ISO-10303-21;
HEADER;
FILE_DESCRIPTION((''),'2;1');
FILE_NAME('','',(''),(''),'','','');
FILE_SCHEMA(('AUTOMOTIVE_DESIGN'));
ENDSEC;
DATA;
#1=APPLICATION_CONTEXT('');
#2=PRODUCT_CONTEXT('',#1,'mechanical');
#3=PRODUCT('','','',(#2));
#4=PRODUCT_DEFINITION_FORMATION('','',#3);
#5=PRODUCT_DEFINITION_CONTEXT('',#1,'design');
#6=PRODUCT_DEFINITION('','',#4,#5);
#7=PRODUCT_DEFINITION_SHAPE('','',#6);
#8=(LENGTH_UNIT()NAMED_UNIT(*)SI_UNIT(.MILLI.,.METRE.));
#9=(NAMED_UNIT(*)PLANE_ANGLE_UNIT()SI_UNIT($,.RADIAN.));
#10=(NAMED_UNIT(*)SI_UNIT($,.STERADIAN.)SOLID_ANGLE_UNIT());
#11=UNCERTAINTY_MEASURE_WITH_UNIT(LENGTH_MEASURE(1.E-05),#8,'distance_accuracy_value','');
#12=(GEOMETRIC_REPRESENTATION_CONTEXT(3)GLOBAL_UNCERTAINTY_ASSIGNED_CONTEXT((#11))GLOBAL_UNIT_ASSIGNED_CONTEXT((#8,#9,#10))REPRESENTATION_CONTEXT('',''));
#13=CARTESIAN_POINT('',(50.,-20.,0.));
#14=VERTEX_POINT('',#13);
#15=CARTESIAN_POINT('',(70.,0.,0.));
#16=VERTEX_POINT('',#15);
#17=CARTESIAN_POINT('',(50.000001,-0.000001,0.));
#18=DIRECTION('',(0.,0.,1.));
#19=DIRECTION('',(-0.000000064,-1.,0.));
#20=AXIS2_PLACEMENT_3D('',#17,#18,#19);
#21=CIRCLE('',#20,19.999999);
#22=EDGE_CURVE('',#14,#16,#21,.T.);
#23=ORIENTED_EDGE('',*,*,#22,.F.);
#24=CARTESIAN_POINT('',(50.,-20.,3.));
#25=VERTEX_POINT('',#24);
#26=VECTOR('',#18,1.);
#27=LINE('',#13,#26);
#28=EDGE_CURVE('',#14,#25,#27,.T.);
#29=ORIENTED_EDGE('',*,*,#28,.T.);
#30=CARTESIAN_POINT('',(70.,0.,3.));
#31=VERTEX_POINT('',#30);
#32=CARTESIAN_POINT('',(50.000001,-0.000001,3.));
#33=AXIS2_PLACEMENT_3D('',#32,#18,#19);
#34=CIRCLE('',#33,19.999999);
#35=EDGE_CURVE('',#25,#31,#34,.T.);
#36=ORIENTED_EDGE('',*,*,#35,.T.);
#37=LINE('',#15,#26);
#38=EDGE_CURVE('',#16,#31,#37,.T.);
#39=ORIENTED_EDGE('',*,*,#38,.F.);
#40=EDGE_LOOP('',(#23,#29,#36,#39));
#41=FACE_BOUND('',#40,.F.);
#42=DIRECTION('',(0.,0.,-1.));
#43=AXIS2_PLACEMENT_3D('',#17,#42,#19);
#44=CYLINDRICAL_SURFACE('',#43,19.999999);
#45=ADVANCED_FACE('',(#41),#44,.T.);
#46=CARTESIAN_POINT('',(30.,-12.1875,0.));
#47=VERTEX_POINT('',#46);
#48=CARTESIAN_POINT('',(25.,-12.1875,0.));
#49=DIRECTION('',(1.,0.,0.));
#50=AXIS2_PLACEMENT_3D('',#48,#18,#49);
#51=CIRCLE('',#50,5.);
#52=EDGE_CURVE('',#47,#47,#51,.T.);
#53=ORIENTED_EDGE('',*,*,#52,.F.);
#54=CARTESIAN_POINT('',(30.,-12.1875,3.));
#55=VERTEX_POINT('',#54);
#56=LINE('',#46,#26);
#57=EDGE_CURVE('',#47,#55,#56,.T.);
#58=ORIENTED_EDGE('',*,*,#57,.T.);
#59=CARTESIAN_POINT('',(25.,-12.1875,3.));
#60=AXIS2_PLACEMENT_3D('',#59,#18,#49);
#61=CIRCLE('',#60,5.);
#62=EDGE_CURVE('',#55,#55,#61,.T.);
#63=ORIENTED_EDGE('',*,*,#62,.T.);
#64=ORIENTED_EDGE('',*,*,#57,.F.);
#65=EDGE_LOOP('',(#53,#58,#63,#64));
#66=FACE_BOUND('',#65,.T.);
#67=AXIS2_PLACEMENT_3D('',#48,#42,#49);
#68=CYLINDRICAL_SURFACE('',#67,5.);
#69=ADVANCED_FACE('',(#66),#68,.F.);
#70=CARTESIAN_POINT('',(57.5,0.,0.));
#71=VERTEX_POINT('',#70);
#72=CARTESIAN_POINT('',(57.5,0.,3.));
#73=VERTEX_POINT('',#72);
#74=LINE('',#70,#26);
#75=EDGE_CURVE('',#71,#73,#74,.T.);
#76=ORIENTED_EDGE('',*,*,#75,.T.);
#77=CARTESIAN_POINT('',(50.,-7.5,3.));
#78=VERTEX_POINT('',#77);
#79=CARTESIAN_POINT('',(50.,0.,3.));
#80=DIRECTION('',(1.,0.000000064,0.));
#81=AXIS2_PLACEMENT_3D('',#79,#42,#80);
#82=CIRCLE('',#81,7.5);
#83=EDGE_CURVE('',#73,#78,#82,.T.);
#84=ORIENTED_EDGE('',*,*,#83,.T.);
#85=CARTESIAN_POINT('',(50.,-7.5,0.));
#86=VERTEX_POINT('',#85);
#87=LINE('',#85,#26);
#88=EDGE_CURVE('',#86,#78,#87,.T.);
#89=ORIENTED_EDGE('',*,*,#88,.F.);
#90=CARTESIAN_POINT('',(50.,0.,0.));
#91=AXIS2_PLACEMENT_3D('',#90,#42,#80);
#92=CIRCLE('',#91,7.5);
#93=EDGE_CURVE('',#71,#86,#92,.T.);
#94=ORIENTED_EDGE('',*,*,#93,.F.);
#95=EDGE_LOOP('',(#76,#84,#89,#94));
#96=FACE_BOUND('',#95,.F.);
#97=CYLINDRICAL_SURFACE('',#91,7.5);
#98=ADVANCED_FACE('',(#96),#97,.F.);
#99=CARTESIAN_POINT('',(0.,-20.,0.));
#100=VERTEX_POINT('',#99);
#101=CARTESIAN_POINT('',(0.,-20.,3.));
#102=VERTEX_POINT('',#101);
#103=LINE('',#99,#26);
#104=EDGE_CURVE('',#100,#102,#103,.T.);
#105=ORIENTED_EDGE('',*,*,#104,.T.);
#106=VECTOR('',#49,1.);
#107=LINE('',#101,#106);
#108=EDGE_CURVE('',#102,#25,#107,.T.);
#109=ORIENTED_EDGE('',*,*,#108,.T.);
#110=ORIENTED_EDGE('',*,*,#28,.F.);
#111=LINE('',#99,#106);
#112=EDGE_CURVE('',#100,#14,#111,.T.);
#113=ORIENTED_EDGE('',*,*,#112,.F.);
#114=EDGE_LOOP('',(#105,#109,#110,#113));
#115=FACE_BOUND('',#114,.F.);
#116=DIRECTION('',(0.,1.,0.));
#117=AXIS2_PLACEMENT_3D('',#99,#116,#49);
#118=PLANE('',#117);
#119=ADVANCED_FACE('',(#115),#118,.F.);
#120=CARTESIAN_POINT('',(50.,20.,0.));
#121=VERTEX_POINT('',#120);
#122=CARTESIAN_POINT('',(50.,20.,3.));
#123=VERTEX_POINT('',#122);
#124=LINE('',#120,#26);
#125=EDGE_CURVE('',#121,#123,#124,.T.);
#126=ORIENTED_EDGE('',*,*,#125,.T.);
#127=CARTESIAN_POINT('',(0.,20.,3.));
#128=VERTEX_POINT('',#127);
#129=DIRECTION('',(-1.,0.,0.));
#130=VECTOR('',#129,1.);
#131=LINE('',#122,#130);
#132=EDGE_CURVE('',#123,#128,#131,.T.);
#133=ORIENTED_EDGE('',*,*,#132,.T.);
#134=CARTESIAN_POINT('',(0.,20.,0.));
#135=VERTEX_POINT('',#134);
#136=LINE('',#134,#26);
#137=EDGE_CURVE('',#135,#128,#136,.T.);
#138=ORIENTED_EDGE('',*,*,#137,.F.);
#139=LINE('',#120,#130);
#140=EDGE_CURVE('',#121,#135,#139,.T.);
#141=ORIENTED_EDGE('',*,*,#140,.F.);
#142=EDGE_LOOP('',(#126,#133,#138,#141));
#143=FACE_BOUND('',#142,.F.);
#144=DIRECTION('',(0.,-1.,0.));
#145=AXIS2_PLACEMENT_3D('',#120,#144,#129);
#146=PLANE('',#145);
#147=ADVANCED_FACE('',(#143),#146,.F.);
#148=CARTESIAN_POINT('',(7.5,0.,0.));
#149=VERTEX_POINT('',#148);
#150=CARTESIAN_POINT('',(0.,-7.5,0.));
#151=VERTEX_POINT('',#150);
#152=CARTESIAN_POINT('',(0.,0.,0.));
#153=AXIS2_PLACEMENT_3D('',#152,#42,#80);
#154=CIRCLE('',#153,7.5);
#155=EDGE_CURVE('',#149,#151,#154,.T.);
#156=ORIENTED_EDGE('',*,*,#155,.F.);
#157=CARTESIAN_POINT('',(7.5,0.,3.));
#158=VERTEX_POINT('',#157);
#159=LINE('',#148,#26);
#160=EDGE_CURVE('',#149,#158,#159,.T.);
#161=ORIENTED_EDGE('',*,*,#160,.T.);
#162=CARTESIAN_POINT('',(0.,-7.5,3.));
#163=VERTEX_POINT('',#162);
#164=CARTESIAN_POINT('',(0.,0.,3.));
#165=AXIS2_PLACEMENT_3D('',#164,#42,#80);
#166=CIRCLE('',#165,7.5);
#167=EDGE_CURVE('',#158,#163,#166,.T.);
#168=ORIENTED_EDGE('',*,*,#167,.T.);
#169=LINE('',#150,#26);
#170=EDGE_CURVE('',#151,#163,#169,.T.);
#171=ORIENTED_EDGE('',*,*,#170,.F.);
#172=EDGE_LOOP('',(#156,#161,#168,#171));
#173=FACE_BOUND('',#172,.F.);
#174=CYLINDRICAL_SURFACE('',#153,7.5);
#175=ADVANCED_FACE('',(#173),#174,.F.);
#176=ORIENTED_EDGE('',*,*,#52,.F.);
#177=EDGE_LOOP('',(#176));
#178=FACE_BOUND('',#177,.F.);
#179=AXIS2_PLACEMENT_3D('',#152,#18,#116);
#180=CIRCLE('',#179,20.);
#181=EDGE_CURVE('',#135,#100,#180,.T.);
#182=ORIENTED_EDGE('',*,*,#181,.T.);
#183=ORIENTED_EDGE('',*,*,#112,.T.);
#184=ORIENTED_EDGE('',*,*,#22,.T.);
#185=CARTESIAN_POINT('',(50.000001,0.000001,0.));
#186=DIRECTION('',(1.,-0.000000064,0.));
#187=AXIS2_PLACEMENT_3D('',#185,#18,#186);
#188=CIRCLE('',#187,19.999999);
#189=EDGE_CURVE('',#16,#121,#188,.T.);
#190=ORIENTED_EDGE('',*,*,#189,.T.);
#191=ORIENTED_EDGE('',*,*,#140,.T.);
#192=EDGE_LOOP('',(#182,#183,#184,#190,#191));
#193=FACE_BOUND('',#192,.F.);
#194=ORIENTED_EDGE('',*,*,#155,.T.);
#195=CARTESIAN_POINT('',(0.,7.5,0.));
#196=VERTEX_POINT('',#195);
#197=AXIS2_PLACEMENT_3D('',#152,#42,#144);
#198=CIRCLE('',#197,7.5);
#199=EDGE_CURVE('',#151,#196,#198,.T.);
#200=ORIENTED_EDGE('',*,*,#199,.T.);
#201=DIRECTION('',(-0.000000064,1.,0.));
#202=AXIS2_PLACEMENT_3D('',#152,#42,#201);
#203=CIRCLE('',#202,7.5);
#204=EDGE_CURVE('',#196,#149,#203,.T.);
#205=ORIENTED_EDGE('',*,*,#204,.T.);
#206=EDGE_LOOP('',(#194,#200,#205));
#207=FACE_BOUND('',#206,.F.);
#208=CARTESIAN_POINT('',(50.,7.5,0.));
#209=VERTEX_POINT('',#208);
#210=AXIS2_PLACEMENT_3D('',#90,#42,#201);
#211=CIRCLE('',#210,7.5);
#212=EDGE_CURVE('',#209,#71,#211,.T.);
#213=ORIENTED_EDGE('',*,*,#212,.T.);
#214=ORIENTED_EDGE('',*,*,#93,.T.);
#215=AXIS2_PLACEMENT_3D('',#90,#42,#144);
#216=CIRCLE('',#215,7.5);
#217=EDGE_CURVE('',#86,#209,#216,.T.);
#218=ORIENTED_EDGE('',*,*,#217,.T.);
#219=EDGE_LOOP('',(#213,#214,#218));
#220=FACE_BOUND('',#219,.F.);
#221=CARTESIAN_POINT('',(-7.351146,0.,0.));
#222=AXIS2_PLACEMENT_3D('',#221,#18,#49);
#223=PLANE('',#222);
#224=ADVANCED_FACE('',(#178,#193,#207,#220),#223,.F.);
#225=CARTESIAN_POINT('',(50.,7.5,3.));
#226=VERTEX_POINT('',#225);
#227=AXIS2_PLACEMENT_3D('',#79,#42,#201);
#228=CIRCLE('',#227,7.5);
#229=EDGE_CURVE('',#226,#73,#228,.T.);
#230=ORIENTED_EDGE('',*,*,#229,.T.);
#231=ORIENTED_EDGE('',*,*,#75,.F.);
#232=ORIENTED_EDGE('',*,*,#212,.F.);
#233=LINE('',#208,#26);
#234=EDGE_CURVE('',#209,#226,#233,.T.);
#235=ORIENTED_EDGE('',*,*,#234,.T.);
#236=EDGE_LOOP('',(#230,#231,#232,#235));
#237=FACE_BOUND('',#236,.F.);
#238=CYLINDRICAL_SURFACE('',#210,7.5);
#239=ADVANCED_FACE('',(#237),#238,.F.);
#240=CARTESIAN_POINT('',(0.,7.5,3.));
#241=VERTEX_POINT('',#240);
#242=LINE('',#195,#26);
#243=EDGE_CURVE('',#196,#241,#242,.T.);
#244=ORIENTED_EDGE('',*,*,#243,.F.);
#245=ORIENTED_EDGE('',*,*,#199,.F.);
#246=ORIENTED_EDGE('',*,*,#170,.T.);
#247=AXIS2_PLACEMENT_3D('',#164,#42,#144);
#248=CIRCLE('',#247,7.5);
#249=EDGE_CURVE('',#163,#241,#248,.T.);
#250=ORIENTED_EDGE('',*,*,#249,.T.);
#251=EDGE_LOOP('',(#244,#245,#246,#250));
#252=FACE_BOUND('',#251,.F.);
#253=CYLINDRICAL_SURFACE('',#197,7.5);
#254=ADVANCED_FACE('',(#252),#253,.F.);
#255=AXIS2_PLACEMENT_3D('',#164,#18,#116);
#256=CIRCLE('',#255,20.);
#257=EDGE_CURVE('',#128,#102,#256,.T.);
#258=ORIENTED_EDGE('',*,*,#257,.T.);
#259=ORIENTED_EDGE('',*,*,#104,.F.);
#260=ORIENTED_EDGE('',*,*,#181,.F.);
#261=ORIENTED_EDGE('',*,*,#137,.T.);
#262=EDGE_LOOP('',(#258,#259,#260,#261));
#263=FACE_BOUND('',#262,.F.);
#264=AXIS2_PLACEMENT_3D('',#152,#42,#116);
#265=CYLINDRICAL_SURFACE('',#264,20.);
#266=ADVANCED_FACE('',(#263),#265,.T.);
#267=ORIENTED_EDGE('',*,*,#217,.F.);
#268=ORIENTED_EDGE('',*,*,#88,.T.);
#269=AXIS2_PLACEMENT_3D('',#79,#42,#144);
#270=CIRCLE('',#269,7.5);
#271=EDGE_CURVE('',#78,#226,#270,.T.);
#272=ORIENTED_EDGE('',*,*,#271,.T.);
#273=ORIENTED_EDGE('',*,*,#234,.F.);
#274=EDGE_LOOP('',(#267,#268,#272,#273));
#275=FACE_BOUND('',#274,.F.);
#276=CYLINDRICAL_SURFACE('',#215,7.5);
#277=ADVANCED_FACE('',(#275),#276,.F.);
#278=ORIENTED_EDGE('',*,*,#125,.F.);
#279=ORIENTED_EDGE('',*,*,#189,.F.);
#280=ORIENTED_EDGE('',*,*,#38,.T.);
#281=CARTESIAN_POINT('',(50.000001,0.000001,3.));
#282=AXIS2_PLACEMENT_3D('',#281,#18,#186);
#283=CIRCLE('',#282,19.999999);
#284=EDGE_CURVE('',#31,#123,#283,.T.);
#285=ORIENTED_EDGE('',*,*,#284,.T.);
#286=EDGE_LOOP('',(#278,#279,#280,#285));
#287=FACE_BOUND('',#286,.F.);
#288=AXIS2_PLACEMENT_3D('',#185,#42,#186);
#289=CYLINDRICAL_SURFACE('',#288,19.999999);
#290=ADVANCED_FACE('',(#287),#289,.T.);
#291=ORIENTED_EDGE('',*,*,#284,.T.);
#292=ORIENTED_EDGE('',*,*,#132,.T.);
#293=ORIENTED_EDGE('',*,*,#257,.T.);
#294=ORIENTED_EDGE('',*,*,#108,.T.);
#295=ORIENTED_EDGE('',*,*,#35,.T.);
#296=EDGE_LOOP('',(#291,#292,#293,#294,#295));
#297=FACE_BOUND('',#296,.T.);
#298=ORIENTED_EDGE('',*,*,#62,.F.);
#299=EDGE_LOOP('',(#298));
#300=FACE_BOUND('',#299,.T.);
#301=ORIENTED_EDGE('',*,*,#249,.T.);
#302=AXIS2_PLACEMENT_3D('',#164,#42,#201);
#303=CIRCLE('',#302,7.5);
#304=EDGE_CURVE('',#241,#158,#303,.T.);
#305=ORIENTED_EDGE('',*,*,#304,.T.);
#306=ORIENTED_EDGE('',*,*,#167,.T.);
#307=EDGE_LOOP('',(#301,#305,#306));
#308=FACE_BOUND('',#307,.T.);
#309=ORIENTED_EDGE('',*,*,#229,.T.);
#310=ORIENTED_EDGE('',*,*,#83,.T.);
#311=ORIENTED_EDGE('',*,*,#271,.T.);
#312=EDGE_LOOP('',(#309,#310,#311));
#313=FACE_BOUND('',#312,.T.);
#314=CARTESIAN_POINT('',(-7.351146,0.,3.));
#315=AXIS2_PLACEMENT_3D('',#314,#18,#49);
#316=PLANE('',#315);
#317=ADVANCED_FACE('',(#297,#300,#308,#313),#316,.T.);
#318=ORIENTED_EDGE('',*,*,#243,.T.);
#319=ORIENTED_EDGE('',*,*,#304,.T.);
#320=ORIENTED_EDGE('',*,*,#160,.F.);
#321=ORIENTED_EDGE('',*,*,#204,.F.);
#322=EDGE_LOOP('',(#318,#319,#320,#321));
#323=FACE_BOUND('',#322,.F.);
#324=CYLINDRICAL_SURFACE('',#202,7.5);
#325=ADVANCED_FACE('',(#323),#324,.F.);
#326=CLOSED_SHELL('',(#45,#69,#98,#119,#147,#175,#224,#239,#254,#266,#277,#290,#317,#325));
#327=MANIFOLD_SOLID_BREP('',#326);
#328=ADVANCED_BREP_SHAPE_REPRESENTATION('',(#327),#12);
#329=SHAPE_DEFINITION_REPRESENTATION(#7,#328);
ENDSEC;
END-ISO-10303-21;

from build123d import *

# Parameters (mm, degrees)
F0_R     = 5
F1_DEPTH = 3


with BuildPart() as f1:
    # F0 (on Top) → F1 (new body)
    with BuildSketch(Plane.XY):
        with BuildLine():
            Line((0, 7.5), (0, 20))
            ThreePointArc((0, 20), (-20, 0), (0, -20))
            Line((0, -20), (0, -7.5))
            ThreePointArc((0, -7.5), (-7.5, 0), (0, 7.5))
        make_face()
        with BuildLine():
            ThreePointArc((17.977528, -8.764045), (19.487824, -4.49719), (20, 0))
            ThreePointArc((20, 0), (14.142136, 14.142136), (0, 20))
            Line((0, 20), (0, 7.5))
            ThreePointArc((0, 7.5), (5.303301, 5.303301), (7.5, 0))
            ThreePointArc((7.5, 0), (5.303301, -5.303301), (0, -7.5))
            Line((0, -7.5), (0, -20))
            ThreePointArc((0, -20), (10.599979, -16.959966), (17.977528, -8.764045))
        make_face()
        with BuildLine():
            ThreePointArc((0, 20), (14.142136, 14.142136), (20, 0))
            ThreePointArc((20, 0), (19.487824, -4.49719), (17.977528, -8.764045))
            ThreePointArc((17.977528, -8.764045), (25, -4.375), (32.022472, -8.764045))
            ThreePointArc((32.022472, -8.764045), (33.040034, 10.599979), (50, 20))
            Line((50, 20), (0, 20))
        make_face()
        with BuildLine():
            ThreePointArc((50, -20), (39.400021, -16.959966), (32.022472, -8.764045))
            ThreePointArc((32.022472, -8.764045), (32.612431, -10.430785), (32.8125, -12.1875))
            ThreePointArc((32.8125, -12.1875), (30.524272, -17.711772), (25, -20))
            Line((25, -20), (50, -20))
        make_face()
        with BuildLine():
            ThreePointArc((32.022472, -8.764045), (25, -4.375), (17.977528, -8.764045))
            ThreePointArc((17.977528, -8.764045), (18.375013, -16.328117), (25, -20))
            ThreePointArc((25, -20), (30.524272, -17.711772), (32.8125, -12.1875))
            ThreePointArc((32.8125, -12.1875), (32.612431, -10.430785), (32.022472, -8.764045))
        make_face()
        with Locations((25, -12.1875)):
            Circle(F0_R, mode=Mode.SUBTRACT)
        with BuildLine():
            ThreePointArc((25, -20), (18.375013, -16.328117), (17.977528, -8.764045))
            ThreePointArc((17.977528, -8.764045), (10.599979, -16.959966), (0, -20))
            Line((0, -20), (25, -20))
        make_face()
        with BuildLine():
            ThreePointArc((70, 0), (64.142136, 14.142136), (50, 20))
            Line((50, 20), (50, 7.5))
            ThreePointArc((50, 7.5), (55.303301, 5.303301), (57.5, 0))
            ThreePointArc((57.5, 0), (55.303301, -5.303301), (50, -7.5))
            Line((50, -7.5), (50, -20))
            ThreePointArc((50, -20), (64.142136, -14.142136), (70, 0))
        make_face()
        with BuildLine():
            Line((50, 7.5), (50, 20))
            ThreePointArc((50, 20), (33.040034, 10.599979), (32.022472, -8.764045))
            ThreePointArc((32.022472, -8.764045), (39.400021, -16.959966), (50, -20))
            Line((50, -20), (50, -7.5))
            ThreePointArc((50, -7.5), (42.5, 0), (50, 7.5))
        make_face()
    extrude(amount=F1_DEPTH)


solid = f1.part
